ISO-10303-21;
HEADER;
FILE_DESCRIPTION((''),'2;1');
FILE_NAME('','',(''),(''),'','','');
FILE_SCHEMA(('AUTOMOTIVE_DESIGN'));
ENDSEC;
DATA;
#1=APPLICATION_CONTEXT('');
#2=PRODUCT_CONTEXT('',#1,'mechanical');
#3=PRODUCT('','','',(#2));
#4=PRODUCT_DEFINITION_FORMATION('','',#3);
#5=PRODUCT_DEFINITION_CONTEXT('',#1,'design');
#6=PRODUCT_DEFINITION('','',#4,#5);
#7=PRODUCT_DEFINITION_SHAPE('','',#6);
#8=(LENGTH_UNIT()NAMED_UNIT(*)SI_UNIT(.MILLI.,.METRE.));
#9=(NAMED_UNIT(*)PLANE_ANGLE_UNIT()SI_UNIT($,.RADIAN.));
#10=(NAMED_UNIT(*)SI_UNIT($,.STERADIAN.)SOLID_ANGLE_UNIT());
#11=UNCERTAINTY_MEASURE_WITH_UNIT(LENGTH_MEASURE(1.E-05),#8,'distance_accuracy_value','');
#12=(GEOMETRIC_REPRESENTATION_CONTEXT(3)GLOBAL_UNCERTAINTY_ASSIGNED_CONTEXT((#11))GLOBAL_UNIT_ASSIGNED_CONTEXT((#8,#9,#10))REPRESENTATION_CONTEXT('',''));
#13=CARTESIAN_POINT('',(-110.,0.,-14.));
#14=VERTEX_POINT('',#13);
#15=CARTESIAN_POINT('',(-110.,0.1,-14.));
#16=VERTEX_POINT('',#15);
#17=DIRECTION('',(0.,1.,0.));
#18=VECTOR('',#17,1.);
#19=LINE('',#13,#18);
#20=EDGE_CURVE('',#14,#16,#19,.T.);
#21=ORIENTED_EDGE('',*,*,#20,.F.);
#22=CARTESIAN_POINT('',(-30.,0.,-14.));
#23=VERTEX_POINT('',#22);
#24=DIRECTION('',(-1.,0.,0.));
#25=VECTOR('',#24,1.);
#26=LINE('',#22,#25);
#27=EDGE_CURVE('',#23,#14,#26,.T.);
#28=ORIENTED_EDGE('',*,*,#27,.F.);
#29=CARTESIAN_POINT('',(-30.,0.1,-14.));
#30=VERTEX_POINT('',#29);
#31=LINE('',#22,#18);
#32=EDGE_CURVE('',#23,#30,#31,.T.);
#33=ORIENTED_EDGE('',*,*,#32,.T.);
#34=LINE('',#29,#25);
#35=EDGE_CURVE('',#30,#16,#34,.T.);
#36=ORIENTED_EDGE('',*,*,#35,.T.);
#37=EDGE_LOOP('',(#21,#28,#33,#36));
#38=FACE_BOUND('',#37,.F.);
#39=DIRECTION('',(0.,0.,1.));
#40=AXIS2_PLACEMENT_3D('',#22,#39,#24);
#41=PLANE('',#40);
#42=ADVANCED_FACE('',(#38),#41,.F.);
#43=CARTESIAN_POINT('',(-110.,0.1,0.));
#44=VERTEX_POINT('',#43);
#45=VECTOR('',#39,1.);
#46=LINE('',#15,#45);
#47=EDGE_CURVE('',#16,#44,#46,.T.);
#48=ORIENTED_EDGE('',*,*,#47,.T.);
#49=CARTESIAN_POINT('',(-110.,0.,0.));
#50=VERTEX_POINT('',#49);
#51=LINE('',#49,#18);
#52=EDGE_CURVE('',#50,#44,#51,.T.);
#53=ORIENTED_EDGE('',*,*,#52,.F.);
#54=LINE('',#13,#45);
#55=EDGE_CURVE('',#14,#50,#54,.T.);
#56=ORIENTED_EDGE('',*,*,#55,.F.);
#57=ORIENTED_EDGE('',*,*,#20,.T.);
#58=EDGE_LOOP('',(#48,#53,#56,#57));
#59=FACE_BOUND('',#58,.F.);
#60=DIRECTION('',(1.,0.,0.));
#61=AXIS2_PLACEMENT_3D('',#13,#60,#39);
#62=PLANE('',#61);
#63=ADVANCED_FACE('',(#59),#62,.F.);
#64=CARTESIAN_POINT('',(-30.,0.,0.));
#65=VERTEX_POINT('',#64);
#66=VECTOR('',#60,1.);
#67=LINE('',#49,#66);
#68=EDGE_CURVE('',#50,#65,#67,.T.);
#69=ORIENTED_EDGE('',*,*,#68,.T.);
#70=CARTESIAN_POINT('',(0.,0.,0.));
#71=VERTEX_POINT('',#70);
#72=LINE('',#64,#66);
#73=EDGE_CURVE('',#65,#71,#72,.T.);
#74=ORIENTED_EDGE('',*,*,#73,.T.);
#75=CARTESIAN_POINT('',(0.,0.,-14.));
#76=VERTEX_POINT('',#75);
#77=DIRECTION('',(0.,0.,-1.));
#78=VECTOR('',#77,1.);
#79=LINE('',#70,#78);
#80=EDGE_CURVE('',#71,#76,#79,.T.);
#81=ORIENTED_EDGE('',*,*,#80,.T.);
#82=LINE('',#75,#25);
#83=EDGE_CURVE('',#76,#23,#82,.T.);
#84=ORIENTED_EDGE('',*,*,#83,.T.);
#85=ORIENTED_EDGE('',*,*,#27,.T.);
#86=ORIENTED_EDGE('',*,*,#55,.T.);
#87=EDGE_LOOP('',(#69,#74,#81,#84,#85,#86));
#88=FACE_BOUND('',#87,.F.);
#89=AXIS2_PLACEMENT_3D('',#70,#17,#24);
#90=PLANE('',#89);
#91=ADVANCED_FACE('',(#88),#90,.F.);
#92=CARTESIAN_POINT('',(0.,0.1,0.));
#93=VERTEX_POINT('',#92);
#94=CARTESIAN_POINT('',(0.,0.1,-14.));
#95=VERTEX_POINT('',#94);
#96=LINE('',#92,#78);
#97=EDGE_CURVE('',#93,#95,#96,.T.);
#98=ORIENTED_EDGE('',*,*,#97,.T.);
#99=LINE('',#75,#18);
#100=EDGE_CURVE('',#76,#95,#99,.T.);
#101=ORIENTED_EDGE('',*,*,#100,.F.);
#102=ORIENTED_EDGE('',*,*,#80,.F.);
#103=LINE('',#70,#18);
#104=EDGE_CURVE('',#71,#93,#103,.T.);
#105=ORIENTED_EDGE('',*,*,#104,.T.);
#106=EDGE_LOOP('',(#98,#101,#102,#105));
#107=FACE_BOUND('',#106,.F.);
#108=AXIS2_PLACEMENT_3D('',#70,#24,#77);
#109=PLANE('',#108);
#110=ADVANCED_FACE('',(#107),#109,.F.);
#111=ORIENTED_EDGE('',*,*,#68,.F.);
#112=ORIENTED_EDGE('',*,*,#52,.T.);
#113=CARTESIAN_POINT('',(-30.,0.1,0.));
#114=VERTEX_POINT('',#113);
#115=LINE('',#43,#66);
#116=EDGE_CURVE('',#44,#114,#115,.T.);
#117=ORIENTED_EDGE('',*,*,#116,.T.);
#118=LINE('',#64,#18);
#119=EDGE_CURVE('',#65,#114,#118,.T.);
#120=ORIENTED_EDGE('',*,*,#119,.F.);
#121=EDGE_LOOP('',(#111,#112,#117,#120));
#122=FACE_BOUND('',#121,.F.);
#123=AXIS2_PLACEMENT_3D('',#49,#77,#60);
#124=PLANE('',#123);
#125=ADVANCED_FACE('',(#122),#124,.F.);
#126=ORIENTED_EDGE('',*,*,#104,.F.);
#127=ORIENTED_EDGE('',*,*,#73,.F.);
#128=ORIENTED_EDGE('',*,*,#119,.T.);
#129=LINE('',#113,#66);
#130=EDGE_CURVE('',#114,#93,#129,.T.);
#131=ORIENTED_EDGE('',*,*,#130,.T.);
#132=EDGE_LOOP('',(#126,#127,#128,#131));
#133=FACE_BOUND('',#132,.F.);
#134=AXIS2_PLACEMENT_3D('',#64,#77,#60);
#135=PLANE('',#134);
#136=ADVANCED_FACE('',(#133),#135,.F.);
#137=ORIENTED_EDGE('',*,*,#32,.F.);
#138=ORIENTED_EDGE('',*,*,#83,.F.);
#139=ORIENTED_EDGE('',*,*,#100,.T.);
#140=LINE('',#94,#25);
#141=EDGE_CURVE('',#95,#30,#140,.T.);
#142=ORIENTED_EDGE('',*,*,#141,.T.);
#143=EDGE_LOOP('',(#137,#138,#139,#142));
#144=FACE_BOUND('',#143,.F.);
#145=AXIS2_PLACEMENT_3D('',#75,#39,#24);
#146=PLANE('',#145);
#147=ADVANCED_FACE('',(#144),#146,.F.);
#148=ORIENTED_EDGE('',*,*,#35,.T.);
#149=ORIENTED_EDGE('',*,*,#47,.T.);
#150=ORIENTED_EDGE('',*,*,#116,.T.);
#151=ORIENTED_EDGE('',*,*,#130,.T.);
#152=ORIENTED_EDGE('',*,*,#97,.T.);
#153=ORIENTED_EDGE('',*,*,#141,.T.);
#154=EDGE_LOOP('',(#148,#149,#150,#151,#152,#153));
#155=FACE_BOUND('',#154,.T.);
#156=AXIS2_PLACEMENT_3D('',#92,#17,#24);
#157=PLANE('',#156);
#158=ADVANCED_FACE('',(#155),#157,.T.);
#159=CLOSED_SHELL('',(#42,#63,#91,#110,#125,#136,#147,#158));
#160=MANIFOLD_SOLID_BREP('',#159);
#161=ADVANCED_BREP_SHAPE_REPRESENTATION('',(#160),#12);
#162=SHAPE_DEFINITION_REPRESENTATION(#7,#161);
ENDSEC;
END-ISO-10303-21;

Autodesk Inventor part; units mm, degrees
ref_plane "YZ Plane" through (0, 0, 0) normal (1, 0, 0) x (0, 1, 0)
ref_plane "XZ Plane" through (0, 0, 0) normal (0, 1, 0) x (-1, 0, 0)
ref_plane "XY Plane" through (0, 0, 0) normal (0, 0, 1) x (1, 0, 0)
sketch "Sketch1" plane through (0, 0, 0) normal (0, 1, 0) x (-1, 0, 0)
  line L0 (0, 0) -> (0, -14)
  line L1 (0, -14) -> (30, -14)
  line L2 (30, 0) -> (0, 0)
  line L3 (30, -14) -> (110, -14)
  line L4 (110, 0) -> (30, 0)
  line L5 (110, -14) -> (110, 0)
extrude "Extrusion1" add sketch "Sketch1" along normal blind 0.1
properties part number "BELT"
